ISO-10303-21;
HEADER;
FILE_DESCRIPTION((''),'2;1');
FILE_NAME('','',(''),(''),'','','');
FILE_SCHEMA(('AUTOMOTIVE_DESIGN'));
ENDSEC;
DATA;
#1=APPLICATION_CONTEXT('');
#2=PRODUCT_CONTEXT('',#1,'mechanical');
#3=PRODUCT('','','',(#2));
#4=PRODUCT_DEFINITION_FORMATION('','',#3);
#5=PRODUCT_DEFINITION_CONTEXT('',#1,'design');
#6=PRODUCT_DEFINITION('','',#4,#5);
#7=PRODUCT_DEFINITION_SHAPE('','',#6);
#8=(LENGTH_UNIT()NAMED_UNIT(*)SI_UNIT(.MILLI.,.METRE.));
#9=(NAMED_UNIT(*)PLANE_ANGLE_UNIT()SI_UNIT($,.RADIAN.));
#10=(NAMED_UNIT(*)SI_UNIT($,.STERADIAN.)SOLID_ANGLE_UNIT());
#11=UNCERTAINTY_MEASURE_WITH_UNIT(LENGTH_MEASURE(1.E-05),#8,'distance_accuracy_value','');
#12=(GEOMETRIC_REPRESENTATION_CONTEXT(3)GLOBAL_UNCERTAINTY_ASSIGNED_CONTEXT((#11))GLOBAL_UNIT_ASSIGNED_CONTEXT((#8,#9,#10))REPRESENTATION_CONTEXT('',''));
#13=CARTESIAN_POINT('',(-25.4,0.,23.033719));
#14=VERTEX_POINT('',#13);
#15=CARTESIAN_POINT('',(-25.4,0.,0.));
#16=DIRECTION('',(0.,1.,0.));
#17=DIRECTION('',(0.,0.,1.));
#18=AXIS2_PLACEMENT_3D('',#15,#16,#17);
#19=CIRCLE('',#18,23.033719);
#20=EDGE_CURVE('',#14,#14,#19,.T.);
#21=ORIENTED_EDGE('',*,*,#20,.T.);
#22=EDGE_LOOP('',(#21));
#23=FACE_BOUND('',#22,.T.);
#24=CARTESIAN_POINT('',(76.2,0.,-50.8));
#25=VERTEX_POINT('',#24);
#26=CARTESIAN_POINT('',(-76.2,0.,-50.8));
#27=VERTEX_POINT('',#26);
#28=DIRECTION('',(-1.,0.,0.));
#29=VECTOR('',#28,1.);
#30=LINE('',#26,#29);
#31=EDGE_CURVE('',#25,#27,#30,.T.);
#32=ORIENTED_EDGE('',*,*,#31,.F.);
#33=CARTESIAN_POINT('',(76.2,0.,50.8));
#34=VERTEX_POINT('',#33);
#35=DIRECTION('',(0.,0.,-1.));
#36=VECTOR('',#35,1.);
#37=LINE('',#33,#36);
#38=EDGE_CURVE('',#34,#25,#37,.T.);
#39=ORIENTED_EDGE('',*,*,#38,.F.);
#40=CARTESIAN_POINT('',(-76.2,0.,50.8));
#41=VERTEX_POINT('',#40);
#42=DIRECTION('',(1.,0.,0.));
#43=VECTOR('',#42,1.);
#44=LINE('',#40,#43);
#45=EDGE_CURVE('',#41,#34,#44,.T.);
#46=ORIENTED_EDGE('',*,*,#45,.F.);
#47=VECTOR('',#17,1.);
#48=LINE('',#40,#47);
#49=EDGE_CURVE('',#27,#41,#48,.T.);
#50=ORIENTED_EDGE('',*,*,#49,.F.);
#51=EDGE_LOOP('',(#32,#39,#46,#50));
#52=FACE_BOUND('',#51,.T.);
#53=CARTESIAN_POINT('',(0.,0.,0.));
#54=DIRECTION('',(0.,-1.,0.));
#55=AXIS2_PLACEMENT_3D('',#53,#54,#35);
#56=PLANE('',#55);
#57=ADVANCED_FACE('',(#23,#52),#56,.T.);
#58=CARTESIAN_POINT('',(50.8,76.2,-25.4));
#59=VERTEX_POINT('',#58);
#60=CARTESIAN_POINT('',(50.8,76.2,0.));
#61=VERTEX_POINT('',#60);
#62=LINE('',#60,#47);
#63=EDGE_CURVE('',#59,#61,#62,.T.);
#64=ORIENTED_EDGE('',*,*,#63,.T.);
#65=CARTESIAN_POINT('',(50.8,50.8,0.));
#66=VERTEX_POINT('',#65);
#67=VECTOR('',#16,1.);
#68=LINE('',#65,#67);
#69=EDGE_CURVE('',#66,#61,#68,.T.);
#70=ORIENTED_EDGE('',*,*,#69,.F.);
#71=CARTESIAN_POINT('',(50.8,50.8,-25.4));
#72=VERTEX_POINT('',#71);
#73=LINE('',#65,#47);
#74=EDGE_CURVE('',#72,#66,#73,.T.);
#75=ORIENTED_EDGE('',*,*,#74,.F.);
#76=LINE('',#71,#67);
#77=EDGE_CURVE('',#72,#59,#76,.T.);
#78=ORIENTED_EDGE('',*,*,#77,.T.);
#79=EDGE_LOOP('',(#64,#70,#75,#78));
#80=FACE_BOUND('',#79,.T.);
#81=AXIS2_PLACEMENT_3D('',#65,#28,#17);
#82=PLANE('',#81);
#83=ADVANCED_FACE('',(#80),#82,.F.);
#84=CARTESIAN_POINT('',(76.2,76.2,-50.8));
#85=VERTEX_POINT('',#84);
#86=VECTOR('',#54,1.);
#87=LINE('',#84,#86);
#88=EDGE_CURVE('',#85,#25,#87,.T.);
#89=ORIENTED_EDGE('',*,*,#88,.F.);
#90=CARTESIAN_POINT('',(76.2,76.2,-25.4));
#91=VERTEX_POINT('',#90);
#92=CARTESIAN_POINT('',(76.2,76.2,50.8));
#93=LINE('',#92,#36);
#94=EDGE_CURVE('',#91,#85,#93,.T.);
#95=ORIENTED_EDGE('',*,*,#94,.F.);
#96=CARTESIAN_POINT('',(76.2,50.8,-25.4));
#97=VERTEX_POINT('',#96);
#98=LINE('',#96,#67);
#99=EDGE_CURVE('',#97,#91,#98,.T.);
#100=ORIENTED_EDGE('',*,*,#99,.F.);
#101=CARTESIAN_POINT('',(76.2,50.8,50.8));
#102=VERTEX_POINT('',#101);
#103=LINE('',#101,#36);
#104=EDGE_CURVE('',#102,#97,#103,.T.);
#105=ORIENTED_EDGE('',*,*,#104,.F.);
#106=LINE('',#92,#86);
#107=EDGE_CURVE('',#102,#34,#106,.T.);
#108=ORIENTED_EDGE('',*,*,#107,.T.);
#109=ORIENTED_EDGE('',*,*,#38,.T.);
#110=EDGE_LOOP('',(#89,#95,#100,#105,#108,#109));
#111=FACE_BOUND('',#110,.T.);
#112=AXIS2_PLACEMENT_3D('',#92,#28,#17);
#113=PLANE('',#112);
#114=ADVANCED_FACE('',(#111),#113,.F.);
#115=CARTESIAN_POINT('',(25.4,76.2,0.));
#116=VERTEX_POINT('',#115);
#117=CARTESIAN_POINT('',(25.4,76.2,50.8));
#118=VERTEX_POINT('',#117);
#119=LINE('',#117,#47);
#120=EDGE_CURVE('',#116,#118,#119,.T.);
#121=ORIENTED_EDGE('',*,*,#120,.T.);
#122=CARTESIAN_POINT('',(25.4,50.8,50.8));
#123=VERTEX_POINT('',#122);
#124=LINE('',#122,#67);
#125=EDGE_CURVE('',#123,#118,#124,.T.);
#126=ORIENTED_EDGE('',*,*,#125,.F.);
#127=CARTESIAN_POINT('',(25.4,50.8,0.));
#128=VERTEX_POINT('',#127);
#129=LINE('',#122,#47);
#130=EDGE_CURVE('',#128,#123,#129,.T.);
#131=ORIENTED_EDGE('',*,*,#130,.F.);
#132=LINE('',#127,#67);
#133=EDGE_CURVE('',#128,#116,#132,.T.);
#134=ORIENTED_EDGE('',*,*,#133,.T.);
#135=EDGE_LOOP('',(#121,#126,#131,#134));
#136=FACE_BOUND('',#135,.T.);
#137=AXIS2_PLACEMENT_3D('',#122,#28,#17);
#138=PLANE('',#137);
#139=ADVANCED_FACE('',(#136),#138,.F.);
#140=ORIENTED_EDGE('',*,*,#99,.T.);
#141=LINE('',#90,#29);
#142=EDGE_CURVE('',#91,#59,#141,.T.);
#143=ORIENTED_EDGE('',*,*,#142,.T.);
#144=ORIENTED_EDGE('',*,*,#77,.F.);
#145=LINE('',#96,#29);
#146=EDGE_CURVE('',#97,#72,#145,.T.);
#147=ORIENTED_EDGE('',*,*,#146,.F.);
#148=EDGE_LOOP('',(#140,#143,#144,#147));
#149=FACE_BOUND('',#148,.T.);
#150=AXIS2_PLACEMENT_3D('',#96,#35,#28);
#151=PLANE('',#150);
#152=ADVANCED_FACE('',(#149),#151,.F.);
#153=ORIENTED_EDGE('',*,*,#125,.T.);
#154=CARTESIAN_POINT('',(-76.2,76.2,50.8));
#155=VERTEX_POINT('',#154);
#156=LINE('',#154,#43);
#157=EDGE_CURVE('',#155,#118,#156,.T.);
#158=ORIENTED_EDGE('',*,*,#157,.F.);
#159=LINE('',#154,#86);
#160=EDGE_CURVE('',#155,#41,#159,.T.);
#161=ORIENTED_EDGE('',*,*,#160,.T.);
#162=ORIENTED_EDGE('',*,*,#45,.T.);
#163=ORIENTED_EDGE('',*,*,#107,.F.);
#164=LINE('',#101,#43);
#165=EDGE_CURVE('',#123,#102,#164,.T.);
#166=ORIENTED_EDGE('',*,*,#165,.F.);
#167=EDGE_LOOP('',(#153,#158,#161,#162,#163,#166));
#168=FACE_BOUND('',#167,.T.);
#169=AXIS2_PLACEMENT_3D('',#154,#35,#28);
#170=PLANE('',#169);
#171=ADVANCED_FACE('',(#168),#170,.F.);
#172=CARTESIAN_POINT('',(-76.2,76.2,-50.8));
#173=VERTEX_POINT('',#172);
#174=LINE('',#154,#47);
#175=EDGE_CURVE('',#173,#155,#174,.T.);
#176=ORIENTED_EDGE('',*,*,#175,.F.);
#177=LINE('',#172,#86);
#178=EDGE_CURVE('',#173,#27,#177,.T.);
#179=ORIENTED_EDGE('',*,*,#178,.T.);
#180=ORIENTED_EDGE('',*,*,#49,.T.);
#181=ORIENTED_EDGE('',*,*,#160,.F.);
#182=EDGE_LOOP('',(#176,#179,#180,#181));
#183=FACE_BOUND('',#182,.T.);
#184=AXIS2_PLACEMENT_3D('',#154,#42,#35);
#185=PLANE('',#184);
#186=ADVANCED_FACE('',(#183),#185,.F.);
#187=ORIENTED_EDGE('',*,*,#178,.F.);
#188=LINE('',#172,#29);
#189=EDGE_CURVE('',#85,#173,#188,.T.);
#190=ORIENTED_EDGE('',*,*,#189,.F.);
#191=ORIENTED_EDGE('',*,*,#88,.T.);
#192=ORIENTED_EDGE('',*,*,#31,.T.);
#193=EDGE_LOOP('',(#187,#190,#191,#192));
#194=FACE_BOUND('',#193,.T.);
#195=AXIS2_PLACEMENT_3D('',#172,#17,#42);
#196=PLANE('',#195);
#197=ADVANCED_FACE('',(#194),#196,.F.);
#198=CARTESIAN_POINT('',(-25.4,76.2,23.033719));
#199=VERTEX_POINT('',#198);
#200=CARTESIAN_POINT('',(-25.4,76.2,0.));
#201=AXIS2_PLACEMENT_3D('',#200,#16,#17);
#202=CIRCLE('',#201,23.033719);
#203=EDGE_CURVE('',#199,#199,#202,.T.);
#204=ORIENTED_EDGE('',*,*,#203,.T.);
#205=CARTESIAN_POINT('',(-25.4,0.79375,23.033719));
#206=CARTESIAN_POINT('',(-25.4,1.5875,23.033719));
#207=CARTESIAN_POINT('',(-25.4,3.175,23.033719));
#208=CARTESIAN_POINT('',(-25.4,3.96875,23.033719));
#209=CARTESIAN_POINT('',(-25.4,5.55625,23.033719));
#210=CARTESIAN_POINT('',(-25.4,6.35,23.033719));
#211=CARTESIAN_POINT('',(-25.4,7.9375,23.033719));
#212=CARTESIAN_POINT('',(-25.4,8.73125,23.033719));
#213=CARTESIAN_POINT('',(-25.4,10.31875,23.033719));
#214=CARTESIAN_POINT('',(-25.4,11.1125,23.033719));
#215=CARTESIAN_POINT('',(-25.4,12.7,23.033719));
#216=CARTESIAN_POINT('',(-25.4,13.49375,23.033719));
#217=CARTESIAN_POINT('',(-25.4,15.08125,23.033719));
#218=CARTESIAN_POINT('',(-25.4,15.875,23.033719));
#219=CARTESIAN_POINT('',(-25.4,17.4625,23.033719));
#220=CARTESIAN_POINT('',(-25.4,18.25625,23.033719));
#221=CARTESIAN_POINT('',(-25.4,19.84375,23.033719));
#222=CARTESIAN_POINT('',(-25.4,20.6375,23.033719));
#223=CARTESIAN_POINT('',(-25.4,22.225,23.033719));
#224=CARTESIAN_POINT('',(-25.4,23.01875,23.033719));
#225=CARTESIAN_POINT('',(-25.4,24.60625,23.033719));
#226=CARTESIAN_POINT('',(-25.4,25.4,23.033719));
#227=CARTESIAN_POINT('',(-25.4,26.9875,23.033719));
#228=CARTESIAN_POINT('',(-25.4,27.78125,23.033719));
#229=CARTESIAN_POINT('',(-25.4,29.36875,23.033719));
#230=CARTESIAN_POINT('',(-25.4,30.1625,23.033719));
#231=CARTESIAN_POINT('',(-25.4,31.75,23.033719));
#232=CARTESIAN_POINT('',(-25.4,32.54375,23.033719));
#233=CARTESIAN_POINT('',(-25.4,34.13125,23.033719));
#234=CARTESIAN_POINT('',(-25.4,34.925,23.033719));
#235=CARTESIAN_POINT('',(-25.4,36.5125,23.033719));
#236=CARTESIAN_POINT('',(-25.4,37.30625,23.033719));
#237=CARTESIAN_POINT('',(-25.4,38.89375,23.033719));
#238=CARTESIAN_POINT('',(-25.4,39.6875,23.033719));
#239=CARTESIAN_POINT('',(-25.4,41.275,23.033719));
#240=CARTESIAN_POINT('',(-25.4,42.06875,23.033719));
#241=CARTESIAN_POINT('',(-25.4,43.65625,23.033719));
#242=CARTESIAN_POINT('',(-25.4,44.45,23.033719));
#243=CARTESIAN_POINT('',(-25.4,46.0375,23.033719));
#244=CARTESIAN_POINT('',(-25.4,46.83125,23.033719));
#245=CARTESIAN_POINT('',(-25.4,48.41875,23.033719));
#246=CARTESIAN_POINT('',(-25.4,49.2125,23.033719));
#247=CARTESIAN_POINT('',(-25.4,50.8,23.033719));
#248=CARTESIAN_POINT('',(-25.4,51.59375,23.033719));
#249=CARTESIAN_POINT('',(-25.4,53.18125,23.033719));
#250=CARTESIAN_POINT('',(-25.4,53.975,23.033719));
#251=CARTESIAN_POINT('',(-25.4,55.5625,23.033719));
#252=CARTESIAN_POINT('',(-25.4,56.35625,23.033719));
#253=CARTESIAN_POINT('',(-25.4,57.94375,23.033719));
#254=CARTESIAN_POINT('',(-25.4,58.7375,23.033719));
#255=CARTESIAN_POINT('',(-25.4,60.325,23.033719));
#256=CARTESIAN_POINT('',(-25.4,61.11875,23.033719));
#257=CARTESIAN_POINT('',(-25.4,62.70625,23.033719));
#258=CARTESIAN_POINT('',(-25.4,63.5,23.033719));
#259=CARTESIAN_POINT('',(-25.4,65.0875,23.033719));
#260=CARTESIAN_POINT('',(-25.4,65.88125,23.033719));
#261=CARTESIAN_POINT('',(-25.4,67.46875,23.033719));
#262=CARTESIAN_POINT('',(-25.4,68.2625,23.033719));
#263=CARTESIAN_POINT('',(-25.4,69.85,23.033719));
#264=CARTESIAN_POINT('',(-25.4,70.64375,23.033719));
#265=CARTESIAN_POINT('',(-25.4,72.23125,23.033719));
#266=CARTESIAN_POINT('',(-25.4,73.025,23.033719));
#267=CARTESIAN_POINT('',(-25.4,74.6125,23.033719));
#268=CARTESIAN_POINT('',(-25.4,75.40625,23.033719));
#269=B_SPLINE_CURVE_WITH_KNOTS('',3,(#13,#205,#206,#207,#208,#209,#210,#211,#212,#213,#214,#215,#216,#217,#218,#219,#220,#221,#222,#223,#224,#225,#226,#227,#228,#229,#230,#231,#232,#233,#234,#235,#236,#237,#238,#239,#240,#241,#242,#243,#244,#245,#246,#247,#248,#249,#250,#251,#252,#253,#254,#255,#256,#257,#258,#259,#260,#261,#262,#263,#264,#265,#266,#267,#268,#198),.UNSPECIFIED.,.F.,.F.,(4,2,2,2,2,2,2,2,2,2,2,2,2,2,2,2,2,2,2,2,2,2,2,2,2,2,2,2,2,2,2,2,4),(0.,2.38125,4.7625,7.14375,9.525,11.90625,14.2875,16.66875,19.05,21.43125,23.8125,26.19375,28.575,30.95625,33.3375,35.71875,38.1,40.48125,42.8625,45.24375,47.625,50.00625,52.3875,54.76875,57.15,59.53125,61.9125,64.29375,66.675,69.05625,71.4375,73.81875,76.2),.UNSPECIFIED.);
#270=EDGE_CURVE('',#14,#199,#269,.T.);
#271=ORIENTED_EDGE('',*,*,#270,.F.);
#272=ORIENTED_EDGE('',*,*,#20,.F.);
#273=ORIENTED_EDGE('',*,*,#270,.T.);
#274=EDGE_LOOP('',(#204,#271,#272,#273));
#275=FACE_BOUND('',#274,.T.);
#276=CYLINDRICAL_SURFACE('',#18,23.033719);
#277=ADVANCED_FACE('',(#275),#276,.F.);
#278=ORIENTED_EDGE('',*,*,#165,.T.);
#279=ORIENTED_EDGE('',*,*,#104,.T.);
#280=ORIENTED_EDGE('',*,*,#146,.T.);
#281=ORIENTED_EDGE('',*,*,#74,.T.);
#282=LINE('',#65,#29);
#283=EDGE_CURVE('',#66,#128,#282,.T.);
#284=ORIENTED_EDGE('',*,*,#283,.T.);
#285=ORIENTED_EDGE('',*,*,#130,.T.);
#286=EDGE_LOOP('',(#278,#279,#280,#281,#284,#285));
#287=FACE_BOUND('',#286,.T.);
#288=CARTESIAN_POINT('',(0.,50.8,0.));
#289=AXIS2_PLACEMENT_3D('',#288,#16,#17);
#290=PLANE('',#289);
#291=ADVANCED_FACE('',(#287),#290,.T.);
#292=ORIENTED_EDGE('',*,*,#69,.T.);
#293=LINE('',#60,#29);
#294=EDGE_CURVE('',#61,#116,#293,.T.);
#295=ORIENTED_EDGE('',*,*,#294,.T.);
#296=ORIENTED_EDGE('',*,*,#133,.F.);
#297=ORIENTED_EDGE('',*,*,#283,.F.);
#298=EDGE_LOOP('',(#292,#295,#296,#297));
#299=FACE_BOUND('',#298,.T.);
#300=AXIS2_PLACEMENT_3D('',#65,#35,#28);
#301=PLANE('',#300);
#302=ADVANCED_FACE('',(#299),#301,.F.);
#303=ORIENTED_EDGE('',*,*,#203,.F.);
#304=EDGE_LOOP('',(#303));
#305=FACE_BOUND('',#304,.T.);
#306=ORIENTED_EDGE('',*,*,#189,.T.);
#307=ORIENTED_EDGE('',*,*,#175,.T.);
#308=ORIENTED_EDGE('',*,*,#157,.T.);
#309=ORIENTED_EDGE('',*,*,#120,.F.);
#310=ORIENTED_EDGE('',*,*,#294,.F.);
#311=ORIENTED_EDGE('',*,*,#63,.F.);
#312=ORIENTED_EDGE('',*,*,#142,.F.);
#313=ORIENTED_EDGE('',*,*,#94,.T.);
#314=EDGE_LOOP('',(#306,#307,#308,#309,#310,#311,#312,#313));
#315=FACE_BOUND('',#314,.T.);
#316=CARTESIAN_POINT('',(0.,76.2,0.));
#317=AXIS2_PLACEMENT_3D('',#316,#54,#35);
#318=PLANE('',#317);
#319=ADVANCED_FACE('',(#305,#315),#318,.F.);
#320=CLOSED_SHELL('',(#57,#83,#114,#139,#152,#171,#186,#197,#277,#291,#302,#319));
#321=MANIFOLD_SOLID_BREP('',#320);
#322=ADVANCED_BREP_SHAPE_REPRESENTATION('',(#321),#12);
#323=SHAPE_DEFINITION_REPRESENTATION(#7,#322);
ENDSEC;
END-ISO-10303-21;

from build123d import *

# Parameters (mm, degrees)
SKETCH1_W           = 152.4
SKETCH1_H           = 101.6
BOSS_EXTRUDE1_DEPTH = 76.2
CUT_EXTRUDE1_DEPTH  = 25.4
SKETCH3_R           = 23.033719166
CUT_EXTRUDE2_DEPTH  = 120.1365603


with BuildPart() as part:
    # Sketch1 → Boss-Extrude1 (new body)
    with BuildSketch(Plane(origin=(0, 0, 0), x_dir=(1, 0, 0), z_dir=(0, 1, 0))):
        Rectangle(SKETCH1_W, SKETCH1_H)
    extrude(amount=BOSS_EXTRUDE1_DEPTH)

    # Sketch2 → Cut-Extrude1 (cut)
    with BuildSketch(Plane(origin=(0, 76.2, 0), x_dir=(1, 0, 0), z_dir=(0, 1, 0))):
        Polygon((76.2, -50.8), (25.4, -50.8), (25.4, 0), (50.8, 0), (50.8, 25.4), (76.2, 25.4), (76.2, 15.210104037), align=None)
    extrude(amount=-CUT_EXTRUDE1_DEPTH, mode=Mode.SUBTRACT)

    # Sketch3 → Cut-Extrude2 (cut, through all)
    with BuildSketch(Plane(origin=(0, 76.2, 0), x_dir=(1, 0, 0), z_dir=(0, 1, 0))):
        with Locations(Location((-25.4, 0, 0), (0, 0, 270))):
            Circle(SKETCH3_R)
    extrude(amount=-CUT_EXTRUDE2_DEPTH, mode=Mode.SUBTRACT)


solid = part.part
